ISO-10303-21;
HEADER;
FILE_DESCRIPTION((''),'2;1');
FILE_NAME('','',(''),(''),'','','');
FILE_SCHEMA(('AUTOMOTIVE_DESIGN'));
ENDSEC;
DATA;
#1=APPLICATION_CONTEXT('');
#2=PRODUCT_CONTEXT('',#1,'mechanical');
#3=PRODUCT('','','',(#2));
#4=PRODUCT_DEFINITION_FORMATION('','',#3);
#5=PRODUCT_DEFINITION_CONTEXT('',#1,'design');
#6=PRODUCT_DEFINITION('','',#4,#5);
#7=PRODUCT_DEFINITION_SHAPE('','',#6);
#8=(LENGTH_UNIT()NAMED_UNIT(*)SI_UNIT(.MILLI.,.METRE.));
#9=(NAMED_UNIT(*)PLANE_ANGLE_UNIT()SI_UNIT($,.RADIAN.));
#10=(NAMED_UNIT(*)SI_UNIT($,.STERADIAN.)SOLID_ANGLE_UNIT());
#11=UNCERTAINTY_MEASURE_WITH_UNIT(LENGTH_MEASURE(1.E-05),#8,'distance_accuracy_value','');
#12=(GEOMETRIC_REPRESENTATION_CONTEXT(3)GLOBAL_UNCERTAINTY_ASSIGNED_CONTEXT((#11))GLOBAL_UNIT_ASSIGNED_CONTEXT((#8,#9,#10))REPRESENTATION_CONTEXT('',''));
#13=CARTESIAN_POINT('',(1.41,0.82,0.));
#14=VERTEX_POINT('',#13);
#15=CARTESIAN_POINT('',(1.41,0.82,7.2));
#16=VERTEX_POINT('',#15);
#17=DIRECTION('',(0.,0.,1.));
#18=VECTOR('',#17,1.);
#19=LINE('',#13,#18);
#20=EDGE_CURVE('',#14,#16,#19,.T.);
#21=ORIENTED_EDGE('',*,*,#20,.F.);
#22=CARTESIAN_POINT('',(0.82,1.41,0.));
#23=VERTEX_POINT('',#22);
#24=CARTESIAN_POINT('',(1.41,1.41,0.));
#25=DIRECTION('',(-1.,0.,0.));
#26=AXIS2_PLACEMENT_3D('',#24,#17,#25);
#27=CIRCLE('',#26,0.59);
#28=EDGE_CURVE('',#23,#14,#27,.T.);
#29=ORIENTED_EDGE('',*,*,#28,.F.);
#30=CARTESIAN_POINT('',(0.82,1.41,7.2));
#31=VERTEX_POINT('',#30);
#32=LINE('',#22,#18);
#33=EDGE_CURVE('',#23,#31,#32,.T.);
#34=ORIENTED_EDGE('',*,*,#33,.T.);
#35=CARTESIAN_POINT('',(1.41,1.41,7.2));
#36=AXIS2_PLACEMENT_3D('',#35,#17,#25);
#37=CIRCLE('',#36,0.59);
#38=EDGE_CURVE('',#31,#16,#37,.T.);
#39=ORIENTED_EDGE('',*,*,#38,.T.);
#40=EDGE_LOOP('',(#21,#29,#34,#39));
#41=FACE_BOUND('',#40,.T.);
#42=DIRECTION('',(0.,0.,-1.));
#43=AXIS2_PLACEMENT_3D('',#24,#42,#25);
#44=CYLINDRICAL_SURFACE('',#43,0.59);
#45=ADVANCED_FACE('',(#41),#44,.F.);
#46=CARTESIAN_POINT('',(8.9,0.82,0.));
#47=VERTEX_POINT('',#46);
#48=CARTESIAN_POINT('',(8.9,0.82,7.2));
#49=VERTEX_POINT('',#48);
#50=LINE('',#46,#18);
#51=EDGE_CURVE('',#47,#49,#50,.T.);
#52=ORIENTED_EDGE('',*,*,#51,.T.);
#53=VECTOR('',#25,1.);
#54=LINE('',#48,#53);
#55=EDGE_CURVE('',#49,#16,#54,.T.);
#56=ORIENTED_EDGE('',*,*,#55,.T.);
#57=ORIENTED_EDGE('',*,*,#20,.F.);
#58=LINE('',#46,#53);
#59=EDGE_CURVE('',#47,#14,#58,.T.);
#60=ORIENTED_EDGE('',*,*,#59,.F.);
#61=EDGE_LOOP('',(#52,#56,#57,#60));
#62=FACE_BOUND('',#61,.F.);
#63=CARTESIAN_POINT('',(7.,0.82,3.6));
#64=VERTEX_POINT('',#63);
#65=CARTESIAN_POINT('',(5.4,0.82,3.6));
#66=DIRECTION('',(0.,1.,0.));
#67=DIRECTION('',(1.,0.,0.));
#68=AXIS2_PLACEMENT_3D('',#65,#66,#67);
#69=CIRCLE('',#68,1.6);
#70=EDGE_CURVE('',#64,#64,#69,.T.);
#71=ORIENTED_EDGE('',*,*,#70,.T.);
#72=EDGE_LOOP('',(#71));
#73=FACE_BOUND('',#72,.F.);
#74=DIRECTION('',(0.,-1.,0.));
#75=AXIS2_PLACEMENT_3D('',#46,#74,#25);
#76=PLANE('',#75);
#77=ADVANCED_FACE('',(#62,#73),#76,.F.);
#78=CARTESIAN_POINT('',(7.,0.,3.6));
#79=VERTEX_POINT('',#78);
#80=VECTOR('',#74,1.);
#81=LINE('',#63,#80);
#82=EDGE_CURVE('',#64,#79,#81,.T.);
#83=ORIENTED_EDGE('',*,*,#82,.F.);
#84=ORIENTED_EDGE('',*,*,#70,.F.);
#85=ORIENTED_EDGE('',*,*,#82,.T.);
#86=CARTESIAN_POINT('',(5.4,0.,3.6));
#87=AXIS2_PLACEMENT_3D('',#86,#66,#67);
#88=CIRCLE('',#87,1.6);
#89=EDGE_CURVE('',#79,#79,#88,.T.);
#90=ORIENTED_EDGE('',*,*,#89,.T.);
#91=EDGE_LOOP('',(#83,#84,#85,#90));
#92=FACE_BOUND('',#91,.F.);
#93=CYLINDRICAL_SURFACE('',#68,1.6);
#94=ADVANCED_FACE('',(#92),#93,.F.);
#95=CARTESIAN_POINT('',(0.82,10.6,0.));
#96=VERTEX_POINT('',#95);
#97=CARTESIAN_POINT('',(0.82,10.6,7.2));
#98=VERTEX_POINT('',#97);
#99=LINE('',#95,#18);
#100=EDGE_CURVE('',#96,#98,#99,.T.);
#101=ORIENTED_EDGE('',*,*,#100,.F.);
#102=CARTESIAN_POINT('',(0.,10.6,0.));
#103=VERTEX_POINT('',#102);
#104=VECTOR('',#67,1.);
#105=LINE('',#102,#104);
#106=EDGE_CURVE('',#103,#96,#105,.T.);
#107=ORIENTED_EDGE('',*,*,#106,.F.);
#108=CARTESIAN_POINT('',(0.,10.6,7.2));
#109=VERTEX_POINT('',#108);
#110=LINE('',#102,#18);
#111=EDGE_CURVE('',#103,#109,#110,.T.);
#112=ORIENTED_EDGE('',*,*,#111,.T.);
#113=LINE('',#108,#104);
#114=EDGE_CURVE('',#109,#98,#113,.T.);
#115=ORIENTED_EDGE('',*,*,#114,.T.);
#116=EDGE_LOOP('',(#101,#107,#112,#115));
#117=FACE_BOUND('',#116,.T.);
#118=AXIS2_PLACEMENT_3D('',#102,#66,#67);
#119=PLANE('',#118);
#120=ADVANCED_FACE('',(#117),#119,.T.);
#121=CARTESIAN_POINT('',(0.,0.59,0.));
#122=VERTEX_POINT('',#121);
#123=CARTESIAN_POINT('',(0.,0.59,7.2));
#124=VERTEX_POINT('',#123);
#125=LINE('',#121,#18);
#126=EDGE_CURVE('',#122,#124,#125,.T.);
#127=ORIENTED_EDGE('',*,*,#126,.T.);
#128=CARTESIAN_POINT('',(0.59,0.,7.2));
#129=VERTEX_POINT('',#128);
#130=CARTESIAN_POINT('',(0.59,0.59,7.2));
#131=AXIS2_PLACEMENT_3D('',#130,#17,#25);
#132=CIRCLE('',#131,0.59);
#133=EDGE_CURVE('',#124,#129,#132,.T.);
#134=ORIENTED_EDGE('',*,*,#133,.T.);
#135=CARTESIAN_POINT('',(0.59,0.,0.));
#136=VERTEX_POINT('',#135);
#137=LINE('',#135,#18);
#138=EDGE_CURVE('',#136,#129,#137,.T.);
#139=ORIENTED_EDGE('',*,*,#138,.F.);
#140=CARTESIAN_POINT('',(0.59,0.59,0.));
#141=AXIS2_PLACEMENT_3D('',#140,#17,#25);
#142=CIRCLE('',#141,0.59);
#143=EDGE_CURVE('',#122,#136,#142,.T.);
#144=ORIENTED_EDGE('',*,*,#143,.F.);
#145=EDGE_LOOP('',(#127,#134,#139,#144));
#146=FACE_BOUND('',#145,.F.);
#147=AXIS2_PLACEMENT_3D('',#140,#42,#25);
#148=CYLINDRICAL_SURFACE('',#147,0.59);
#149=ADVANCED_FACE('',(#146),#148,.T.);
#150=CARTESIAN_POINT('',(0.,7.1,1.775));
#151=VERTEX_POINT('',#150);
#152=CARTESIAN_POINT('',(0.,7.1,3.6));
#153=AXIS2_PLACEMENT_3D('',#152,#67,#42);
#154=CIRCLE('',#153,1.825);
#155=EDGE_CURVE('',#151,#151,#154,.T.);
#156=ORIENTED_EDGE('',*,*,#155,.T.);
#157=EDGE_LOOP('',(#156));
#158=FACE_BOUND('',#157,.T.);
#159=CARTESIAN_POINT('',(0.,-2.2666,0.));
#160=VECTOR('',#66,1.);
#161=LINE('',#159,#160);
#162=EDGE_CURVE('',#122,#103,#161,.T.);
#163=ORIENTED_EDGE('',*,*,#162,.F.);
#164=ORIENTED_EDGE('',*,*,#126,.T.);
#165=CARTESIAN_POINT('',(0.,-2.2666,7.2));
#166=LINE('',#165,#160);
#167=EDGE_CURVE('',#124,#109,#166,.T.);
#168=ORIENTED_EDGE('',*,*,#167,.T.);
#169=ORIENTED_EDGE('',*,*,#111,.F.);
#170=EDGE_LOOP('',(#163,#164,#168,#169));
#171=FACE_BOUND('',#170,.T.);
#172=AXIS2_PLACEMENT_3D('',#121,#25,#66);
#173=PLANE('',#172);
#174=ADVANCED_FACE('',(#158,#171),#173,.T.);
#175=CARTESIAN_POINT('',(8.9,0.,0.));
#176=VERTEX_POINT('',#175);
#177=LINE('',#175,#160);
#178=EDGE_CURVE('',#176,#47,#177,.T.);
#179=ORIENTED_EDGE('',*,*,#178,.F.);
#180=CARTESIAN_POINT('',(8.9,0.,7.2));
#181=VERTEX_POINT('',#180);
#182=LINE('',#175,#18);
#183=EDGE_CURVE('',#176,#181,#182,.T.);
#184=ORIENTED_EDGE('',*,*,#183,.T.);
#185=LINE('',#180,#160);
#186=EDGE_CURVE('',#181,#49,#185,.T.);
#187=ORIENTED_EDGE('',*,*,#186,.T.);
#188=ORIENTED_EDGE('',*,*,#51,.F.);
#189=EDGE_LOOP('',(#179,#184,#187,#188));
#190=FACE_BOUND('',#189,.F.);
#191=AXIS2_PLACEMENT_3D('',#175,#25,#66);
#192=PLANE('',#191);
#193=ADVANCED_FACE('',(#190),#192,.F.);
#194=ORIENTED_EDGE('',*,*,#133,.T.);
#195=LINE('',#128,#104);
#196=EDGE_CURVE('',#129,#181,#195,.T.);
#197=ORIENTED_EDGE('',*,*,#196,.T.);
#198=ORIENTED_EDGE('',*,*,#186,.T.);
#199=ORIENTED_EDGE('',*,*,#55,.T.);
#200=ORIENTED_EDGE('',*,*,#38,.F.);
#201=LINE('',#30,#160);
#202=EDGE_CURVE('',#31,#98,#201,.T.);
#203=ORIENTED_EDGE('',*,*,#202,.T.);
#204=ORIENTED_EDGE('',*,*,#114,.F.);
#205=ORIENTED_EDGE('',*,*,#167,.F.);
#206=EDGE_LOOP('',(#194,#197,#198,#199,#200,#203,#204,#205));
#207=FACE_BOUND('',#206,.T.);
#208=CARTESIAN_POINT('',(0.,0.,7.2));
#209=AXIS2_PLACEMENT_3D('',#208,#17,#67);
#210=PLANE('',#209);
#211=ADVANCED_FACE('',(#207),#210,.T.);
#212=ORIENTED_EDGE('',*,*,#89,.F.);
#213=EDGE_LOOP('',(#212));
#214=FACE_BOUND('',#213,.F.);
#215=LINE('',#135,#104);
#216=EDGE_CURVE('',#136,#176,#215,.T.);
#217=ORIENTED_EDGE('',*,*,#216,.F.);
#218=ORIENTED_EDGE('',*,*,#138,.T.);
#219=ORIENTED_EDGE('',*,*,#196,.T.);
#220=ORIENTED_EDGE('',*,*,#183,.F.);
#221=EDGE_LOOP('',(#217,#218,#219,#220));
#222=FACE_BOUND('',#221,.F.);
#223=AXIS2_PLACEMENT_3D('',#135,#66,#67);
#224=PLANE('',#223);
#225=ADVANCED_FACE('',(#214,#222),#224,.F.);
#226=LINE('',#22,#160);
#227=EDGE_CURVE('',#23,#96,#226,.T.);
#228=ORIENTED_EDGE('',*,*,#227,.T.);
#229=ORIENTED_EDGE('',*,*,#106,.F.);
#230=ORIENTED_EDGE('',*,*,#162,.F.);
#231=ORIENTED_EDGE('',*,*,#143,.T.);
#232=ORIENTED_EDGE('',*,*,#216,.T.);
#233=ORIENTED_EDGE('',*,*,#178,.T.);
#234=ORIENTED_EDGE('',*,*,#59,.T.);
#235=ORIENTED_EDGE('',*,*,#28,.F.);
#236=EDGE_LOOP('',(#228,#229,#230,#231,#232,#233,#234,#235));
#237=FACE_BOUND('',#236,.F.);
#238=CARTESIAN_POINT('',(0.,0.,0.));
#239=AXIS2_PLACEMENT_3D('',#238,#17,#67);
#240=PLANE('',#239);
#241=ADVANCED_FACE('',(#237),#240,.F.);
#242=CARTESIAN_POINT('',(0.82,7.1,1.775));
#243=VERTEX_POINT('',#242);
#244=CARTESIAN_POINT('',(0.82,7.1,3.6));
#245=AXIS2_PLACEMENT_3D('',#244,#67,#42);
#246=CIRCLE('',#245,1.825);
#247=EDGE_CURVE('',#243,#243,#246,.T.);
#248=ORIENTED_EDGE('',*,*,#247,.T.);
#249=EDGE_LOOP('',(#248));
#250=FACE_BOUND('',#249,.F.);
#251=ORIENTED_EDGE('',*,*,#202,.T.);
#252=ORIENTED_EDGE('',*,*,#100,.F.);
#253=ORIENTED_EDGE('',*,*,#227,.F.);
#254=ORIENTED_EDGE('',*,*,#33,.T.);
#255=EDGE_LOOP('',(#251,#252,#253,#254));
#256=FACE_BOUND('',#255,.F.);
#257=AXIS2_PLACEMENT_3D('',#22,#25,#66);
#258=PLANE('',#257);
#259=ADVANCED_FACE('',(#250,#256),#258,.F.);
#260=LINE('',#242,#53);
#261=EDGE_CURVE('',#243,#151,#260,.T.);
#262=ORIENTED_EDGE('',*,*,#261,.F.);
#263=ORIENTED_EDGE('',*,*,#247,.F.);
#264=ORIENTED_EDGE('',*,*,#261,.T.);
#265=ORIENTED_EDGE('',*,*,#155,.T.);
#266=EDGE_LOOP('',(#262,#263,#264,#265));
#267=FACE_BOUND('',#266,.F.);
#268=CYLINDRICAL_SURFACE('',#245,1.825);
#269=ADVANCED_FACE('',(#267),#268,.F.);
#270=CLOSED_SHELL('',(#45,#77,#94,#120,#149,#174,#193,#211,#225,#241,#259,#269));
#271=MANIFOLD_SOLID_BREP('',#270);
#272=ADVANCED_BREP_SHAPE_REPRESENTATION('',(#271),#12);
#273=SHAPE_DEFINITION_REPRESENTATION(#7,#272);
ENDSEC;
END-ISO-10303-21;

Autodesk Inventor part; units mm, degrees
ref_plane "YZ Plane" through (0, 0, 0) normal (1, 0, 0) x (0, 1, 0)
ref_plane "XZ Plane" through (0, 0, 0) normal (0, 1, 0) x (-1, 0, 0)
ref_plane "XY Plane" through (0, 0, 0) normal (0, 0, 1) x (1, 0, 0)
sketch "Sketch1" plane through (0, 0, 0) normal (0, 0, 1) x (1, 0, 0)
  line L0 (0, -2.2666) -> (0, 12.7444) projected
  line L1 (0, 10.6) -> (0, 0.59)
  line L2 (8.9, 0) -> (8.9, 0.82)
  line L3 (8.9, 0.82) -> (1.41, 0.82)
  line L4 (0.82, 1.41) -> (0.82, 10.6)
  line L5 (0, 10.6) -> (0.82, 10.6)
  line L6 (0.59, 0) -> (8.9, 0)
  arc A0 (0.82, 1.41) -> (1.41, 0.82) centre (1.41, 1.41) ccw
  arc A1 (0, 0.59) -> (0.59, 0) centre (0.59, 0.59) ccw
  point P0 (0, 0)
  dimension "d0" = 10.6
  dimension "d1" = 8.9
  dimension "d2" = 0.82
  dimension "d3" = 0.82
  dimension "d4" = 0.59
extrude "Extrusion1" add sketch "Sketch1" along normal blind 7.2
sketch "Sketch2" plane through (1.41, 0.82, 0) normal (0, 1, 0) x (1, 0, 0)
  line L0 (0, -7.2) -> (7.49, -7.2) projected
  circle A0 centre (3.99, -3.6) radius 1.6
  line L1 (7.49, 0) -> (7.49, -7.2) projected
  point P0 (-1.41, 0)
  dimension "d7" = 3.5
  dimension "d8" = 3.2
  dimension "d9" = 3.6
extrude "Extrusion2" cut sketch "Sketch2" against normal through all
sketch "Sketch3" plane through (0.82, 1.41, 0) normal (1, 0, 0) x (0, 0, -1)
  line L0 (0, 0) -> (0, 9.19) projected
  line L1 (0, 9.19) -> (-7.2, 9.19) projected
  circle A0 centre (-3.6, 5.69) radius 1.825
  point P0 (0, -1.41)
  dimension "d12" = 3.65
  dimension "d13" = 3.5
  dimension "d14" = 3.6
extrude "Extrusion3" cut sketch "Sketch3" against normal through all
properties part number "LCouplerSmall"
